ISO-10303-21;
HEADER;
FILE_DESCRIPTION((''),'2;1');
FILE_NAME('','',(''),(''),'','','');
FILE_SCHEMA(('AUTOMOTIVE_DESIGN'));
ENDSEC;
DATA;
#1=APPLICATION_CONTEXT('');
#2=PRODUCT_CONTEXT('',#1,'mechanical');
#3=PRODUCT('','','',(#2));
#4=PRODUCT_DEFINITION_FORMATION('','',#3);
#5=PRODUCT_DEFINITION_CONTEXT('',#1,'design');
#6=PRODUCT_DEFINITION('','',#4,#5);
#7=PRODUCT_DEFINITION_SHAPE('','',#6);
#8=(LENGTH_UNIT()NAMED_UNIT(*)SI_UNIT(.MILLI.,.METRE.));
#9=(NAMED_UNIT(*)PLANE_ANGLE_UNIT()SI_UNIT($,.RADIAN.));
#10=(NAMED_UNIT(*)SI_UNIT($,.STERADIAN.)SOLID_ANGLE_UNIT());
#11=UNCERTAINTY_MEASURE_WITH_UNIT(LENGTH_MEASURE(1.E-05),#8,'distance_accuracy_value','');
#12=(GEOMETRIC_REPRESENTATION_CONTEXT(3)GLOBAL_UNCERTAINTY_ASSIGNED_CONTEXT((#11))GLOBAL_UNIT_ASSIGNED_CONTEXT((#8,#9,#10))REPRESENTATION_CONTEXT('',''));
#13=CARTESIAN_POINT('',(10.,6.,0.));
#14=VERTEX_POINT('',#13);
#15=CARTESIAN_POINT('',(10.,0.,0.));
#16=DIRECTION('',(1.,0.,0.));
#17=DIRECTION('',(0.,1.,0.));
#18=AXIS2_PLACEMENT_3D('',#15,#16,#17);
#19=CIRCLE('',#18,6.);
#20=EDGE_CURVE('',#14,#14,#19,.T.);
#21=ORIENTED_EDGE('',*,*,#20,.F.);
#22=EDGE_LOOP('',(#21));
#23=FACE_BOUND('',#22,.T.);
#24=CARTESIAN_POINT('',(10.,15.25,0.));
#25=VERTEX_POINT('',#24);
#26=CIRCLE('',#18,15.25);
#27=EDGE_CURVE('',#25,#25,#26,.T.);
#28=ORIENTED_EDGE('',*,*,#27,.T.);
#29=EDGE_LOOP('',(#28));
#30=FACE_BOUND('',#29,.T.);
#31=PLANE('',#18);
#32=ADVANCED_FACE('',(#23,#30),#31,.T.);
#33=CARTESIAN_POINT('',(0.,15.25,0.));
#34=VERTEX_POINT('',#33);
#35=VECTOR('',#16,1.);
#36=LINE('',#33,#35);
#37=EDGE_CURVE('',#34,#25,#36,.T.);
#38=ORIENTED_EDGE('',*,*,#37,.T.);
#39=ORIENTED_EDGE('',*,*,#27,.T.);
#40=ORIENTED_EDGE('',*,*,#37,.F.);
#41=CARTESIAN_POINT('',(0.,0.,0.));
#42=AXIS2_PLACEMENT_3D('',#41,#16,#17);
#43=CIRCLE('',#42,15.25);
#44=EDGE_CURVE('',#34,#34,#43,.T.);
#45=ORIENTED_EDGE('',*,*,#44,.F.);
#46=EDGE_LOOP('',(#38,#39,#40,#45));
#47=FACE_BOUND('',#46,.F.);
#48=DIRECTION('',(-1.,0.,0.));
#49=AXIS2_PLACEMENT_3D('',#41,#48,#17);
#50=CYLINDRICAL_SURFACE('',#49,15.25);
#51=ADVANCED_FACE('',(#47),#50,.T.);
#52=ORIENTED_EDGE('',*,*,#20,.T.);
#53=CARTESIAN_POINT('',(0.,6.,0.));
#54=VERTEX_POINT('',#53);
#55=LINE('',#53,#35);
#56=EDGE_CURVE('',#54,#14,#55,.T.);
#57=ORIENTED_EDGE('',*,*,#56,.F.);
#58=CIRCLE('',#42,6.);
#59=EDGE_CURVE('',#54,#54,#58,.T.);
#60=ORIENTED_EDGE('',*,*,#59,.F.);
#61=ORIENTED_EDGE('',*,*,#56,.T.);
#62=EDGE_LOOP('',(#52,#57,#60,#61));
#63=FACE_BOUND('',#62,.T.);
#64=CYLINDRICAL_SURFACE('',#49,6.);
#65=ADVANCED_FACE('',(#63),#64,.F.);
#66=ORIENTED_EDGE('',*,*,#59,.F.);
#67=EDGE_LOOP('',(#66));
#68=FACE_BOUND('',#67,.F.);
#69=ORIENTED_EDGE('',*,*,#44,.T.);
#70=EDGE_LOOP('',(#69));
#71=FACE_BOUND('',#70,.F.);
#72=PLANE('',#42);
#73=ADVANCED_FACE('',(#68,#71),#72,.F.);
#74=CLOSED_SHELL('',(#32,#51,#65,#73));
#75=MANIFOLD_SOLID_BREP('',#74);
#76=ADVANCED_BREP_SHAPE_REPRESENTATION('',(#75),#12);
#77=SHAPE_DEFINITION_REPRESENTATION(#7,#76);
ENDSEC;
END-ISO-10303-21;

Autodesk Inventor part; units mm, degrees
ref_plane "YZ Plane" through (0, 0, 0) normal (1, 0, 0) x (0, 1, 0)
ref_plane "XZ Plane" through (0, 0, 0) normal (0, 1, 0) x (-1, 0, 0)
ref_plane "XY Plane" through (0, 0, 0) normal (0, 0, 1) x (1, 0, 0)
sketch "Sketch1" plane through (0, 0, 0) normal (1, 0, 0) x (0, 1, 0)
  circle A0 centre (0, 0) radius 6
  circle A1 centre (0, 0) radius 15.25
  dimension "d0" = 12
  dimension "d1" = 30.5
extrude "Extrusion1" add sketch "Sketch1" along normal blind 10
properties part number "Bearing_Side_Tilt"
